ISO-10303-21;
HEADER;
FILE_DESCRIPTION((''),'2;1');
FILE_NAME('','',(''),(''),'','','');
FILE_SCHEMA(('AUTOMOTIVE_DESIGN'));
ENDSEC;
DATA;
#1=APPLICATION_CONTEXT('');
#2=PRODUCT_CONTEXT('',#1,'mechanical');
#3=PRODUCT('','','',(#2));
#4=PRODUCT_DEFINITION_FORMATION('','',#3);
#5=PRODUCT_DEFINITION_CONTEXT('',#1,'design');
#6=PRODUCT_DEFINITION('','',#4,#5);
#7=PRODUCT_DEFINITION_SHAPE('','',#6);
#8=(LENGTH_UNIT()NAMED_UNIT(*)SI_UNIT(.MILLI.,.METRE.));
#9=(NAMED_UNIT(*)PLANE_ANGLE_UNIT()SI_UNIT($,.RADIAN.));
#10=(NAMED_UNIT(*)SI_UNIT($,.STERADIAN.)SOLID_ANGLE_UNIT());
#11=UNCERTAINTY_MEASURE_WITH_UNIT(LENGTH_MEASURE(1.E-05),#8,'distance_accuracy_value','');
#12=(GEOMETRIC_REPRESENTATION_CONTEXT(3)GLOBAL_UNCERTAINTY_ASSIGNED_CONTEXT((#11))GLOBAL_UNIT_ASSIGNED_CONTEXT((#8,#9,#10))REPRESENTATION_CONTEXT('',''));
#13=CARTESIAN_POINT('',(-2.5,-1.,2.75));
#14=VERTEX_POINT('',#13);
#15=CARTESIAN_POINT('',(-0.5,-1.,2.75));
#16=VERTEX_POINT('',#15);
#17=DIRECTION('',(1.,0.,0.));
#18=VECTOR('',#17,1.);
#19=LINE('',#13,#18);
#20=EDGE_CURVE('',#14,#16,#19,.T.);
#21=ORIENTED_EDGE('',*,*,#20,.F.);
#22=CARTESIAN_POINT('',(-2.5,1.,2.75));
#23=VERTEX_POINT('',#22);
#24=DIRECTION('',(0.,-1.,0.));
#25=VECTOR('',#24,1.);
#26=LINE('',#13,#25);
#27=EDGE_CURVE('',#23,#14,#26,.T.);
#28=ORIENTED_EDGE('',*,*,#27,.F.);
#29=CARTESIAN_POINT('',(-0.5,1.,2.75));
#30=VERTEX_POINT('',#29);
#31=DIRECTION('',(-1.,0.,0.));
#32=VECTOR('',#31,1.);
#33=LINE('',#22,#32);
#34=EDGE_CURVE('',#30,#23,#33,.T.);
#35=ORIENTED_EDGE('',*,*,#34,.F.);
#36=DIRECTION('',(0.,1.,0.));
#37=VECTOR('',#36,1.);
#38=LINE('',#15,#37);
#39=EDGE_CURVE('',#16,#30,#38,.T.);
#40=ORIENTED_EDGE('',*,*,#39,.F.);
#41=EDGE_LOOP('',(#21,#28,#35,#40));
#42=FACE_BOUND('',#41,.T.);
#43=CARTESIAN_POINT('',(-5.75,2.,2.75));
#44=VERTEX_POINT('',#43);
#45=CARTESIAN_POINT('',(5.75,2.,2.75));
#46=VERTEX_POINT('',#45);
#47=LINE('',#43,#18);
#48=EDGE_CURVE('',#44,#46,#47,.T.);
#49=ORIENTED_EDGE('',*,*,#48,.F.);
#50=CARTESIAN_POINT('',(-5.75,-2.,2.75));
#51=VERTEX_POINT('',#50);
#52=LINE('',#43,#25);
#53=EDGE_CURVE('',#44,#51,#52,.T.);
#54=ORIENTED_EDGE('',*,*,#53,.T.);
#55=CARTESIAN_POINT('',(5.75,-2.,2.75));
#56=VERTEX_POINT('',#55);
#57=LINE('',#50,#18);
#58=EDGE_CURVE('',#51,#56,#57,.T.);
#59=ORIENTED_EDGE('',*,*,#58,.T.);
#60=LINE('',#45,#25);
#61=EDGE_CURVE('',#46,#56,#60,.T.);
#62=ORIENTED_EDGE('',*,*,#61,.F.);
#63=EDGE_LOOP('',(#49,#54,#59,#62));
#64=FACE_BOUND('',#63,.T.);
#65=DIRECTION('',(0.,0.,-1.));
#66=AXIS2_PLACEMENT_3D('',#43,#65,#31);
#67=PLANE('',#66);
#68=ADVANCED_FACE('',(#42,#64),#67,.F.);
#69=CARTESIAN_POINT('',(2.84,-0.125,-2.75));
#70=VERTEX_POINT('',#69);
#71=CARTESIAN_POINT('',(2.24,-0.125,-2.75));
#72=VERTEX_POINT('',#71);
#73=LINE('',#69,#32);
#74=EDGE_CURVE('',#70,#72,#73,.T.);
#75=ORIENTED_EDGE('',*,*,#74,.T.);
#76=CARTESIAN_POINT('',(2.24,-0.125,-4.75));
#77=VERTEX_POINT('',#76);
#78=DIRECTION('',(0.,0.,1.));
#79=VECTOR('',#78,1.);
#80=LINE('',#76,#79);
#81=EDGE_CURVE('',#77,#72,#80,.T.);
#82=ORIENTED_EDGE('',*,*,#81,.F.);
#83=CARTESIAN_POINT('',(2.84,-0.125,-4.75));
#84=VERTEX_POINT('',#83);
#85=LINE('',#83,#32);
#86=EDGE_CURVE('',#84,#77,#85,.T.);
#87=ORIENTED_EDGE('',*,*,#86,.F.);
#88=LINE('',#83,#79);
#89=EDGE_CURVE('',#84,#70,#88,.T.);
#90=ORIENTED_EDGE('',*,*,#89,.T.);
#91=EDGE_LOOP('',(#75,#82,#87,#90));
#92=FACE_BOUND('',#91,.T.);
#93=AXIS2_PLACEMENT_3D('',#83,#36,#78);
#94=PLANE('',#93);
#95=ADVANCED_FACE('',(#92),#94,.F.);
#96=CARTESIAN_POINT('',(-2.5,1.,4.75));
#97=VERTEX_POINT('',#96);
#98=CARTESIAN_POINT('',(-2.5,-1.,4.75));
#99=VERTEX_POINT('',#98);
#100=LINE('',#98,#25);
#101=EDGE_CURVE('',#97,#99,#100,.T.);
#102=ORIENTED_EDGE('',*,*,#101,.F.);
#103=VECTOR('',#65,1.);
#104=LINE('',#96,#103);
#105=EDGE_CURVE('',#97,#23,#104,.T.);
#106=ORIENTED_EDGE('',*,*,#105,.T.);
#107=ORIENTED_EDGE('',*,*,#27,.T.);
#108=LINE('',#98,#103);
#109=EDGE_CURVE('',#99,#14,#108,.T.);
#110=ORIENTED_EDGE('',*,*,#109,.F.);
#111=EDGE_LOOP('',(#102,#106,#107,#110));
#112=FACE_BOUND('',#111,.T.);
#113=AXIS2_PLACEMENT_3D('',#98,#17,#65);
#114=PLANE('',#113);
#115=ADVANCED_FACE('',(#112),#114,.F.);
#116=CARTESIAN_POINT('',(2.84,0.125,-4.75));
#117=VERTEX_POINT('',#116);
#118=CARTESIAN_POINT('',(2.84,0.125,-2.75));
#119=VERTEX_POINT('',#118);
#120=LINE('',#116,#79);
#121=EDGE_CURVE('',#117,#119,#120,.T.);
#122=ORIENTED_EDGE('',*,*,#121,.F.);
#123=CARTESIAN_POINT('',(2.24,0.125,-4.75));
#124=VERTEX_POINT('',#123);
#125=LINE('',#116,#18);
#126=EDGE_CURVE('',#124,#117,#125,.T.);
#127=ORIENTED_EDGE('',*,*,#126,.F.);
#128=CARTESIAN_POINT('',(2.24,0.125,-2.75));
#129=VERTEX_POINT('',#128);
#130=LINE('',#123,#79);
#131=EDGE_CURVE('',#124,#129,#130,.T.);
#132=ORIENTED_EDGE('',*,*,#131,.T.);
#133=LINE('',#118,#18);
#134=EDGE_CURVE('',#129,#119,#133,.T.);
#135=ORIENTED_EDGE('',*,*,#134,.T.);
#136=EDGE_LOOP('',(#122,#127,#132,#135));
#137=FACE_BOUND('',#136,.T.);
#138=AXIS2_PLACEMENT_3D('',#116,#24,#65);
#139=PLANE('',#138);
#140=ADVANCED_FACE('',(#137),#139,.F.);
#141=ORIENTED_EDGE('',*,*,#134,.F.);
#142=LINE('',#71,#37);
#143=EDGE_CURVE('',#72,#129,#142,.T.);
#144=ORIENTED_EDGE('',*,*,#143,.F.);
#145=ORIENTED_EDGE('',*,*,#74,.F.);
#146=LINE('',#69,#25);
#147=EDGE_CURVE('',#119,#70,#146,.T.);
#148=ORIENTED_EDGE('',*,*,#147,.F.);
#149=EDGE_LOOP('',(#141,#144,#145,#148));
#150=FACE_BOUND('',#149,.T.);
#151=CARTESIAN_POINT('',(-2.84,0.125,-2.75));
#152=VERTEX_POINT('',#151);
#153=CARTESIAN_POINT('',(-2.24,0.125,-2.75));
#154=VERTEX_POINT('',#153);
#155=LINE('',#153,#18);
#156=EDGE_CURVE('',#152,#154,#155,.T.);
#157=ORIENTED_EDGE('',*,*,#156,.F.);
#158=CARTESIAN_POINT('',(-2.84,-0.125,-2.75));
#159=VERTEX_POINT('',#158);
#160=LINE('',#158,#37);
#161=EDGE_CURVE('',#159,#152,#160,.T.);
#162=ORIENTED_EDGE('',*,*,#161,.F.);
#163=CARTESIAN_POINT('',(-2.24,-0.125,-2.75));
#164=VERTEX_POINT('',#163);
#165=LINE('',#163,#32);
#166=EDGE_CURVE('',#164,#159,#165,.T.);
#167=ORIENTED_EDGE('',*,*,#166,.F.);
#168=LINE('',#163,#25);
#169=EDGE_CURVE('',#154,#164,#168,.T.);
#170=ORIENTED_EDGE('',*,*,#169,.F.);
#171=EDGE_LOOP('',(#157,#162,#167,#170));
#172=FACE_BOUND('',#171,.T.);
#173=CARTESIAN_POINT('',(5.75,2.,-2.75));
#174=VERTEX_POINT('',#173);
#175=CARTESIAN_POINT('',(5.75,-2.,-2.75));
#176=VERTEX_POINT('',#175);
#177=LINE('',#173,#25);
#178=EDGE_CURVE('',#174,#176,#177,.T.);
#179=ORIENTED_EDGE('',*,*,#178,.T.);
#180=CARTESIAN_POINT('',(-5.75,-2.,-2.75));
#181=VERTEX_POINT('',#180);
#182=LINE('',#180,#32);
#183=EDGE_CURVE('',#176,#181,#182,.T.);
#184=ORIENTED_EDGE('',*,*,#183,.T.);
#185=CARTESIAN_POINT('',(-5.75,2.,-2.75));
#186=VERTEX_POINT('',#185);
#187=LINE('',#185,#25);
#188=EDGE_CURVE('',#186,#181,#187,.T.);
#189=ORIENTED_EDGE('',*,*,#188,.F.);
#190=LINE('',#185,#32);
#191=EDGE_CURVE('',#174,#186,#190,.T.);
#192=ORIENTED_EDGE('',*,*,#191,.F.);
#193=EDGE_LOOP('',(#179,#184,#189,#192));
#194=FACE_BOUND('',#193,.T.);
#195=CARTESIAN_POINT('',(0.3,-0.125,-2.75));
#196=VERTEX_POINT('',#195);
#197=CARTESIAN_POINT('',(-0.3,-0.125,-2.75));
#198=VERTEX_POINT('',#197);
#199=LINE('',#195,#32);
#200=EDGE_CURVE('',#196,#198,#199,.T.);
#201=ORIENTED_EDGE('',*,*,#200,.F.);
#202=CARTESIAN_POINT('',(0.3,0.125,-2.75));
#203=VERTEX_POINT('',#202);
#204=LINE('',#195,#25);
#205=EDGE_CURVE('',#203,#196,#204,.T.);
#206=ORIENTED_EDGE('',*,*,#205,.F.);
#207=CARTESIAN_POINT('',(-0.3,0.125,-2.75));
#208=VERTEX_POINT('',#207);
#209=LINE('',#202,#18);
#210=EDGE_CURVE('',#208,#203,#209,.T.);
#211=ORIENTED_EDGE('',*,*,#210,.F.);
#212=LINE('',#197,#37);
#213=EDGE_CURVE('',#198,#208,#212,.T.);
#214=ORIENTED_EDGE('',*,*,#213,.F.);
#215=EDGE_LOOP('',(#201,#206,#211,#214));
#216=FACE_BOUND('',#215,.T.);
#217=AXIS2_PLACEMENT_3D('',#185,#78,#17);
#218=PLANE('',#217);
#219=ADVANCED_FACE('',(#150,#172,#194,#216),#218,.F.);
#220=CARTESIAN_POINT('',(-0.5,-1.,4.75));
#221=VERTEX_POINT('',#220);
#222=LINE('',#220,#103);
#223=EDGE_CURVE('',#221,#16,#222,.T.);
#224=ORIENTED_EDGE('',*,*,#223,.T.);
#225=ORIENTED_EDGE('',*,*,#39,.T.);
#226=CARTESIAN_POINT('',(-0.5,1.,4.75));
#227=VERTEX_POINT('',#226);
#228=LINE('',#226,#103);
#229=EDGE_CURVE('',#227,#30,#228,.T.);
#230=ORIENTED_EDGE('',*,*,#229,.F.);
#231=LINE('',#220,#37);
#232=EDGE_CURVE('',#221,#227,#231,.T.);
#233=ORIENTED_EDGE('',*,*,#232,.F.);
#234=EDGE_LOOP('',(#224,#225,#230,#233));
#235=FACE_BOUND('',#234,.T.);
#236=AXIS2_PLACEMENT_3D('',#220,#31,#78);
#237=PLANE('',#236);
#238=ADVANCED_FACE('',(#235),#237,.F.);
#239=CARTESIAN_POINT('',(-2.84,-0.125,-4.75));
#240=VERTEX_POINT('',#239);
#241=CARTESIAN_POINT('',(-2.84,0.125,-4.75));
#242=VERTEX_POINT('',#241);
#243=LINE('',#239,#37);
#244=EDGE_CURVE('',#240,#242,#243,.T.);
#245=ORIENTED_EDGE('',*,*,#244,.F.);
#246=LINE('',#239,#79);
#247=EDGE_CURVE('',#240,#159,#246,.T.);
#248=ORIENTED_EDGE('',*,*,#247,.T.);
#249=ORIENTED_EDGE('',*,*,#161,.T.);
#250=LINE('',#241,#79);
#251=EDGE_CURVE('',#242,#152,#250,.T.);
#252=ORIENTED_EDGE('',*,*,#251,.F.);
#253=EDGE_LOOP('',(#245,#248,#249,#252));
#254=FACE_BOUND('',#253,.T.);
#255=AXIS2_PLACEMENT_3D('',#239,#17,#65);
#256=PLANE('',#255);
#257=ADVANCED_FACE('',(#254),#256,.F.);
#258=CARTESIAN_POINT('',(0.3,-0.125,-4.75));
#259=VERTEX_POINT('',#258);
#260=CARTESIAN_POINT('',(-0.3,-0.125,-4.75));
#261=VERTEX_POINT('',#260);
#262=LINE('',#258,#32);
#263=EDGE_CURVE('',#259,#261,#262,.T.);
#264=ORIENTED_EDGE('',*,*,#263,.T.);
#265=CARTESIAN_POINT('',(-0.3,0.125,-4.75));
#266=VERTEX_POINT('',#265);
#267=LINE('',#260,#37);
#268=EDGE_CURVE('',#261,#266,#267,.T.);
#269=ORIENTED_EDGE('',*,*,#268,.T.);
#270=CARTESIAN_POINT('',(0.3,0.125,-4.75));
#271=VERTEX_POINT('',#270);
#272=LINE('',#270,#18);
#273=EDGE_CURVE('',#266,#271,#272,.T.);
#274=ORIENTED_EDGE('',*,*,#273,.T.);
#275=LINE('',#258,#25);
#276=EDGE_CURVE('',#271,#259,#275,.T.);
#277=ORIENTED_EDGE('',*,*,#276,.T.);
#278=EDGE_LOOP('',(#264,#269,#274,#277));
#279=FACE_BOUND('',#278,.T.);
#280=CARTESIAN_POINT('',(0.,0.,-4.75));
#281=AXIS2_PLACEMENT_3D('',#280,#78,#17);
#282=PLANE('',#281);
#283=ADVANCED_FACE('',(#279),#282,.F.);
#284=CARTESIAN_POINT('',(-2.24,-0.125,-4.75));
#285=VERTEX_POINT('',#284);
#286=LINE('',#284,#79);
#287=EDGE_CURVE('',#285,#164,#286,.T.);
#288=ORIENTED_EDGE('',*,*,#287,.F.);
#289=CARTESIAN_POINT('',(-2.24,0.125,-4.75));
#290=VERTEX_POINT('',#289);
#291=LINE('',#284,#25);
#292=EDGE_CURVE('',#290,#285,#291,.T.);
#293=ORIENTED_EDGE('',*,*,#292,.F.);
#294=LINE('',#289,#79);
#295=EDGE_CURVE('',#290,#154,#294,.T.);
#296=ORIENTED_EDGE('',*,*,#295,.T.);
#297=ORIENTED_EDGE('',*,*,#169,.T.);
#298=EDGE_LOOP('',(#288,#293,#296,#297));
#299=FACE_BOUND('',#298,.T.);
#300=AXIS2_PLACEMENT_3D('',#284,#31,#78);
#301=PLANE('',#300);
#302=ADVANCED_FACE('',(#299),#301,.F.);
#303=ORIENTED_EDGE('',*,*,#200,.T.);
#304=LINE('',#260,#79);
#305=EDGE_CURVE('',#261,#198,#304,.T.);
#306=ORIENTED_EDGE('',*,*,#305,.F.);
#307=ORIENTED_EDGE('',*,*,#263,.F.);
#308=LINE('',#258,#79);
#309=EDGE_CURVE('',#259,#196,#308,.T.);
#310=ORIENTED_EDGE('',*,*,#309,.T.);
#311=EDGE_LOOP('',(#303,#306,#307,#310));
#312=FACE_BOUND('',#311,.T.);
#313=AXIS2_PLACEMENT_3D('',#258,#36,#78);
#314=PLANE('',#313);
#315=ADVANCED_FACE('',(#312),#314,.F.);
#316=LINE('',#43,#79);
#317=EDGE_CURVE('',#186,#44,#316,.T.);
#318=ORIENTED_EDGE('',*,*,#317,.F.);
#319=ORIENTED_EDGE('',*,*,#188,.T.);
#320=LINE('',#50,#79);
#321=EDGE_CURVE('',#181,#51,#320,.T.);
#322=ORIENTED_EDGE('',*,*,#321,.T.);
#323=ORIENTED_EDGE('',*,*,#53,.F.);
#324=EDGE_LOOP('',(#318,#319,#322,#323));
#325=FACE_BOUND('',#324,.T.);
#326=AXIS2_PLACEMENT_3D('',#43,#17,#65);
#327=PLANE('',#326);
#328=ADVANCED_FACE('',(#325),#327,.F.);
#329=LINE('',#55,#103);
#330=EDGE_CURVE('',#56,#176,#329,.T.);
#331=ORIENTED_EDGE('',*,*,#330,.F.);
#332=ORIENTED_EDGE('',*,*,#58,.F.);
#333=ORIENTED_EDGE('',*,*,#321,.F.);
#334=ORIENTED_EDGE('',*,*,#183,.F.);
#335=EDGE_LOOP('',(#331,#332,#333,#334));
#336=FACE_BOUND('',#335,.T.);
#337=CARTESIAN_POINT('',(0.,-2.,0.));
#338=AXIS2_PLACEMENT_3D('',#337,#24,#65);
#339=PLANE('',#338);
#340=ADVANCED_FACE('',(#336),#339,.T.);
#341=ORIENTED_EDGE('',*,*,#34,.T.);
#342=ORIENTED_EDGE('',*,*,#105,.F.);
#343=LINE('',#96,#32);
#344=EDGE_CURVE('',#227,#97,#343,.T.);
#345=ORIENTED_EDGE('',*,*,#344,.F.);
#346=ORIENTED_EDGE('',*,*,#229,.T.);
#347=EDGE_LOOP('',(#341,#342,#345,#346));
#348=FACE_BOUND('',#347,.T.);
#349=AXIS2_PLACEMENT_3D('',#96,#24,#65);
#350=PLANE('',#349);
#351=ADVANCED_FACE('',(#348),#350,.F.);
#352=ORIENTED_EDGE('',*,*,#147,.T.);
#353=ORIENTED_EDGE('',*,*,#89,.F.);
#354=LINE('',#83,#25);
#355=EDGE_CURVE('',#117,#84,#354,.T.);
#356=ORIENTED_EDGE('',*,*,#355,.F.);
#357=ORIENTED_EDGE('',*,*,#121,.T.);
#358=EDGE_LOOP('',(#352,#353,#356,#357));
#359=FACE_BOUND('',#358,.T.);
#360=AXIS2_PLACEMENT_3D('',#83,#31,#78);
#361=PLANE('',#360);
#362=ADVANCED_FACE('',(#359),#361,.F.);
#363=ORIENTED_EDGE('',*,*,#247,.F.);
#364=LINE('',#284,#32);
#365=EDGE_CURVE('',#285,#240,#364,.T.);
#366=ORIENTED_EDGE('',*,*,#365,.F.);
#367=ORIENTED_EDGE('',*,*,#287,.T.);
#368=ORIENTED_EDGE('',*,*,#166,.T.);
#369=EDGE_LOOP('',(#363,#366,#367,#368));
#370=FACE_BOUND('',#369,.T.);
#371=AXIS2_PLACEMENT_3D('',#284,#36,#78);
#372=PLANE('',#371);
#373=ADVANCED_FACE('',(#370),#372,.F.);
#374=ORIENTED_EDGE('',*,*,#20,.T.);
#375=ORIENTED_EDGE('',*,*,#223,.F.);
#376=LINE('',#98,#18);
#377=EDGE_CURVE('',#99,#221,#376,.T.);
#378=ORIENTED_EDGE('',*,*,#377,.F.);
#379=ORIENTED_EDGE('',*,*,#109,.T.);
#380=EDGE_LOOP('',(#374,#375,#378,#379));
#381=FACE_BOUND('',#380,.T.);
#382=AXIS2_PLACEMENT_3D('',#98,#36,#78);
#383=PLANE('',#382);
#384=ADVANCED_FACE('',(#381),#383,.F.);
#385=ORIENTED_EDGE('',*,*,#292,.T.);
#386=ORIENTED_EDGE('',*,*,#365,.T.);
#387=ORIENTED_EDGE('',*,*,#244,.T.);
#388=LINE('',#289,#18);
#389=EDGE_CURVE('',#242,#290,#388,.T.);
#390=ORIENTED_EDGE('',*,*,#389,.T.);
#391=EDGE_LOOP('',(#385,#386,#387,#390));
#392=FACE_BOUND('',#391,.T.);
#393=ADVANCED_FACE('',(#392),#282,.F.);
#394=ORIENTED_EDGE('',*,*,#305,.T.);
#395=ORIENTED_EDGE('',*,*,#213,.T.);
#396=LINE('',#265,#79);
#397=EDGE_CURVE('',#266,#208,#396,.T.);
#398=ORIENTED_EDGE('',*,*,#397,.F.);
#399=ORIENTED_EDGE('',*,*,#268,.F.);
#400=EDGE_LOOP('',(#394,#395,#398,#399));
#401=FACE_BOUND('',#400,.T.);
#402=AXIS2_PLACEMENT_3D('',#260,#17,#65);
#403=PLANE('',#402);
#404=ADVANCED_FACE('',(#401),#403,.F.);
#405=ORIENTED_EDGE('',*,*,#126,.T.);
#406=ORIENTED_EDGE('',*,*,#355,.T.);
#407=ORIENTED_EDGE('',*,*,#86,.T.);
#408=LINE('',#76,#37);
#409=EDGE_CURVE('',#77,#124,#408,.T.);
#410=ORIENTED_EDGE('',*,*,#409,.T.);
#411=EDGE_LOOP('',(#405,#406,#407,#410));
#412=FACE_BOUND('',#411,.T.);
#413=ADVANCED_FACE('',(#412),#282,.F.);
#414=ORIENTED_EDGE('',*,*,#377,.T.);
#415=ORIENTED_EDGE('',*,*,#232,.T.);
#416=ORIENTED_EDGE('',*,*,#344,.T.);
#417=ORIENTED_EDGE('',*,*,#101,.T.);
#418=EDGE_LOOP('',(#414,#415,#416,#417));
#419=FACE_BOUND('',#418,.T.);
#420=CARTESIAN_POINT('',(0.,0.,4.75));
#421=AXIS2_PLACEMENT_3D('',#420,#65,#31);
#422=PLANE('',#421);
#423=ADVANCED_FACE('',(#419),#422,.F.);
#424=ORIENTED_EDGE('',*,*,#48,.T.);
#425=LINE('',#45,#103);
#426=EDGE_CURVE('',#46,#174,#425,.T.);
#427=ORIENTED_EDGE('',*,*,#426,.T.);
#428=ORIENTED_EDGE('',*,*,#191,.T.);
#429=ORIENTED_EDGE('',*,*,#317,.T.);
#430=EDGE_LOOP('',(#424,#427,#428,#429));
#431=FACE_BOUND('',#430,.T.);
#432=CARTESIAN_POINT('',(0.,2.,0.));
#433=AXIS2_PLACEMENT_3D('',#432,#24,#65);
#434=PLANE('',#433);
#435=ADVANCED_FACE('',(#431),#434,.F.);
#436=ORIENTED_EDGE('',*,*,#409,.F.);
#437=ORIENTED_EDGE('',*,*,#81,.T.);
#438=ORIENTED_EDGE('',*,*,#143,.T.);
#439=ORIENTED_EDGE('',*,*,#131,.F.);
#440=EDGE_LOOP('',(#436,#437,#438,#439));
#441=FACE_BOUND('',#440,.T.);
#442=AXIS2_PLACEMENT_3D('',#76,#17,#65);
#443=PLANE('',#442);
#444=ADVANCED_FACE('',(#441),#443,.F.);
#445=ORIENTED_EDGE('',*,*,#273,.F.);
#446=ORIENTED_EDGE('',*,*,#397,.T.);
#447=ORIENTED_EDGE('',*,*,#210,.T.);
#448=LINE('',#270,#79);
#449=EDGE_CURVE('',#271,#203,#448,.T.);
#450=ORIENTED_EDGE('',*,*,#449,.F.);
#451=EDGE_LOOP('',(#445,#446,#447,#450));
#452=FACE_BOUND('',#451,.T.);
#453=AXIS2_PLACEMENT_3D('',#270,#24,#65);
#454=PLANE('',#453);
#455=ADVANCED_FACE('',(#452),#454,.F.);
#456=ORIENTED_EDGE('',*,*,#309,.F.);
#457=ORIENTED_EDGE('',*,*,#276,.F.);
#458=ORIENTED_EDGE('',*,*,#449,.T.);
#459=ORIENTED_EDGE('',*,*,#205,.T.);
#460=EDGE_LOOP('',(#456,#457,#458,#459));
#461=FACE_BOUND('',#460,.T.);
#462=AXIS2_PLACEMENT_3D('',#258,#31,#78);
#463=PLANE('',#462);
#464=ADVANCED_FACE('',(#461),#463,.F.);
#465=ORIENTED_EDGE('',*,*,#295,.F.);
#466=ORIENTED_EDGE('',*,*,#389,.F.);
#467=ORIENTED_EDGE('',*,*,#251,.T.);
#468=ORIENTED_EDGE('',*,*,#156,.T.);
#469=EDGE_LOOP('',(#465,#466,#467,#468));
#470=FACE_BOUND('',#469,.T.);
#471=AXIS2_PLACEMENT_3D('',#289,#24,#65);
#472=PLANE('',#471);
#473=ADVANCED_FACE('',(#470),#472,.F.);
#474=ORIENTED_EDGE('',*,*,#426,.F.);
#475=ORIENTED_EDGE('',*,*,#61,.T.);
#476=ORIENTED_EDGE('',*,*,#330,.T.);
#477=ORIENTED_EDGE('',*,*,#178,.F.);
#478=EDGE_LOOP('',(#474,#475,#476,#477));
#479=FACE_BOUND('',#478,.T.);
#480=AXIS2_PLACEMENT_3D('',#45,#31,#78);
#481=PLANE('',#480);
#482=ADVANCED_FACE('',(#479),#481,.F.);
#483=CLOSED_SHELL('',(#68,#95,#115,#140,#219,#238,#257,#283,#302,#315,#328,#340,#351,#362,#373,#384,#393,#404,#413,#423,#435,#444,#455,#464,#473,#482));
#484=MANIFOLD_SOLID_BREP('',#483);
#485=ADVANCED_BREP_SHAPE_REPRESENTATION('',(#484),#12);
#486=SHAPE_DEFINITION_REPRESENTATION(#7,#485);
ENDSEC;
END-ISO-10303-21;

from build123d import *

# Parameters (mm, degrees)
SKETCH1_W           = 11.5
SKETCH1_H           = 5.5
BOSS_EXTRUDE1_DEPTH = 2
SKETCH3_W           = 2
SKETCH3_H           = 2
BOSS_EXTRUDE2_DEPTH = 2
SKETCH5_W           = 0.6
SKETCH5_H           = 0.25
BOSS_EXTRUDE3_DEPTH = 2


with BuildPart() as part:
    # Sketch1 → Boss-Extrude1 (new, symmetric)
    with BuildSketch(Plane(origin=(0, 0, 0), x_dir=(1, 0, 0), z_dir=(0, 1, 0))):
        Rectangle(SKETCH1_W, SKETCH1_H)
    extrude(amount=BOSS_EXTRUDE1_DEPTH, both=True)

    # Sketch3 → Boss-Extrude2 (add)
    with BuildSketch(Plane.XY.offset(2.75)):
        with Locations((-1.5, 0)):
            Rectangle(SKETCH3_W, SKETCH3_H)
    extrude(amount=BOSS_EXTRUDE2_DEPTH)

    # Sketch5 → Boss-Extrude3 (add)
    with BuildSketch(Plane(origin=(0, 0, -2.75), x_dir=(-1, 0, 0), z_dir=(0, 0, -1))):
        with Locations((-2.54, 0)):
            Rectangle(SKETCH5_W, SKETCH5_H)
        Rectangle(SKETCH5_W, SKETCH5_H)
        with Locations((2.54, 0)):
            Rectangle(SKETCH5_W, SKETCH5_H)
    extrude(amount=BOSS_EXTRUDE3_DEPTH)


solid = part.part
